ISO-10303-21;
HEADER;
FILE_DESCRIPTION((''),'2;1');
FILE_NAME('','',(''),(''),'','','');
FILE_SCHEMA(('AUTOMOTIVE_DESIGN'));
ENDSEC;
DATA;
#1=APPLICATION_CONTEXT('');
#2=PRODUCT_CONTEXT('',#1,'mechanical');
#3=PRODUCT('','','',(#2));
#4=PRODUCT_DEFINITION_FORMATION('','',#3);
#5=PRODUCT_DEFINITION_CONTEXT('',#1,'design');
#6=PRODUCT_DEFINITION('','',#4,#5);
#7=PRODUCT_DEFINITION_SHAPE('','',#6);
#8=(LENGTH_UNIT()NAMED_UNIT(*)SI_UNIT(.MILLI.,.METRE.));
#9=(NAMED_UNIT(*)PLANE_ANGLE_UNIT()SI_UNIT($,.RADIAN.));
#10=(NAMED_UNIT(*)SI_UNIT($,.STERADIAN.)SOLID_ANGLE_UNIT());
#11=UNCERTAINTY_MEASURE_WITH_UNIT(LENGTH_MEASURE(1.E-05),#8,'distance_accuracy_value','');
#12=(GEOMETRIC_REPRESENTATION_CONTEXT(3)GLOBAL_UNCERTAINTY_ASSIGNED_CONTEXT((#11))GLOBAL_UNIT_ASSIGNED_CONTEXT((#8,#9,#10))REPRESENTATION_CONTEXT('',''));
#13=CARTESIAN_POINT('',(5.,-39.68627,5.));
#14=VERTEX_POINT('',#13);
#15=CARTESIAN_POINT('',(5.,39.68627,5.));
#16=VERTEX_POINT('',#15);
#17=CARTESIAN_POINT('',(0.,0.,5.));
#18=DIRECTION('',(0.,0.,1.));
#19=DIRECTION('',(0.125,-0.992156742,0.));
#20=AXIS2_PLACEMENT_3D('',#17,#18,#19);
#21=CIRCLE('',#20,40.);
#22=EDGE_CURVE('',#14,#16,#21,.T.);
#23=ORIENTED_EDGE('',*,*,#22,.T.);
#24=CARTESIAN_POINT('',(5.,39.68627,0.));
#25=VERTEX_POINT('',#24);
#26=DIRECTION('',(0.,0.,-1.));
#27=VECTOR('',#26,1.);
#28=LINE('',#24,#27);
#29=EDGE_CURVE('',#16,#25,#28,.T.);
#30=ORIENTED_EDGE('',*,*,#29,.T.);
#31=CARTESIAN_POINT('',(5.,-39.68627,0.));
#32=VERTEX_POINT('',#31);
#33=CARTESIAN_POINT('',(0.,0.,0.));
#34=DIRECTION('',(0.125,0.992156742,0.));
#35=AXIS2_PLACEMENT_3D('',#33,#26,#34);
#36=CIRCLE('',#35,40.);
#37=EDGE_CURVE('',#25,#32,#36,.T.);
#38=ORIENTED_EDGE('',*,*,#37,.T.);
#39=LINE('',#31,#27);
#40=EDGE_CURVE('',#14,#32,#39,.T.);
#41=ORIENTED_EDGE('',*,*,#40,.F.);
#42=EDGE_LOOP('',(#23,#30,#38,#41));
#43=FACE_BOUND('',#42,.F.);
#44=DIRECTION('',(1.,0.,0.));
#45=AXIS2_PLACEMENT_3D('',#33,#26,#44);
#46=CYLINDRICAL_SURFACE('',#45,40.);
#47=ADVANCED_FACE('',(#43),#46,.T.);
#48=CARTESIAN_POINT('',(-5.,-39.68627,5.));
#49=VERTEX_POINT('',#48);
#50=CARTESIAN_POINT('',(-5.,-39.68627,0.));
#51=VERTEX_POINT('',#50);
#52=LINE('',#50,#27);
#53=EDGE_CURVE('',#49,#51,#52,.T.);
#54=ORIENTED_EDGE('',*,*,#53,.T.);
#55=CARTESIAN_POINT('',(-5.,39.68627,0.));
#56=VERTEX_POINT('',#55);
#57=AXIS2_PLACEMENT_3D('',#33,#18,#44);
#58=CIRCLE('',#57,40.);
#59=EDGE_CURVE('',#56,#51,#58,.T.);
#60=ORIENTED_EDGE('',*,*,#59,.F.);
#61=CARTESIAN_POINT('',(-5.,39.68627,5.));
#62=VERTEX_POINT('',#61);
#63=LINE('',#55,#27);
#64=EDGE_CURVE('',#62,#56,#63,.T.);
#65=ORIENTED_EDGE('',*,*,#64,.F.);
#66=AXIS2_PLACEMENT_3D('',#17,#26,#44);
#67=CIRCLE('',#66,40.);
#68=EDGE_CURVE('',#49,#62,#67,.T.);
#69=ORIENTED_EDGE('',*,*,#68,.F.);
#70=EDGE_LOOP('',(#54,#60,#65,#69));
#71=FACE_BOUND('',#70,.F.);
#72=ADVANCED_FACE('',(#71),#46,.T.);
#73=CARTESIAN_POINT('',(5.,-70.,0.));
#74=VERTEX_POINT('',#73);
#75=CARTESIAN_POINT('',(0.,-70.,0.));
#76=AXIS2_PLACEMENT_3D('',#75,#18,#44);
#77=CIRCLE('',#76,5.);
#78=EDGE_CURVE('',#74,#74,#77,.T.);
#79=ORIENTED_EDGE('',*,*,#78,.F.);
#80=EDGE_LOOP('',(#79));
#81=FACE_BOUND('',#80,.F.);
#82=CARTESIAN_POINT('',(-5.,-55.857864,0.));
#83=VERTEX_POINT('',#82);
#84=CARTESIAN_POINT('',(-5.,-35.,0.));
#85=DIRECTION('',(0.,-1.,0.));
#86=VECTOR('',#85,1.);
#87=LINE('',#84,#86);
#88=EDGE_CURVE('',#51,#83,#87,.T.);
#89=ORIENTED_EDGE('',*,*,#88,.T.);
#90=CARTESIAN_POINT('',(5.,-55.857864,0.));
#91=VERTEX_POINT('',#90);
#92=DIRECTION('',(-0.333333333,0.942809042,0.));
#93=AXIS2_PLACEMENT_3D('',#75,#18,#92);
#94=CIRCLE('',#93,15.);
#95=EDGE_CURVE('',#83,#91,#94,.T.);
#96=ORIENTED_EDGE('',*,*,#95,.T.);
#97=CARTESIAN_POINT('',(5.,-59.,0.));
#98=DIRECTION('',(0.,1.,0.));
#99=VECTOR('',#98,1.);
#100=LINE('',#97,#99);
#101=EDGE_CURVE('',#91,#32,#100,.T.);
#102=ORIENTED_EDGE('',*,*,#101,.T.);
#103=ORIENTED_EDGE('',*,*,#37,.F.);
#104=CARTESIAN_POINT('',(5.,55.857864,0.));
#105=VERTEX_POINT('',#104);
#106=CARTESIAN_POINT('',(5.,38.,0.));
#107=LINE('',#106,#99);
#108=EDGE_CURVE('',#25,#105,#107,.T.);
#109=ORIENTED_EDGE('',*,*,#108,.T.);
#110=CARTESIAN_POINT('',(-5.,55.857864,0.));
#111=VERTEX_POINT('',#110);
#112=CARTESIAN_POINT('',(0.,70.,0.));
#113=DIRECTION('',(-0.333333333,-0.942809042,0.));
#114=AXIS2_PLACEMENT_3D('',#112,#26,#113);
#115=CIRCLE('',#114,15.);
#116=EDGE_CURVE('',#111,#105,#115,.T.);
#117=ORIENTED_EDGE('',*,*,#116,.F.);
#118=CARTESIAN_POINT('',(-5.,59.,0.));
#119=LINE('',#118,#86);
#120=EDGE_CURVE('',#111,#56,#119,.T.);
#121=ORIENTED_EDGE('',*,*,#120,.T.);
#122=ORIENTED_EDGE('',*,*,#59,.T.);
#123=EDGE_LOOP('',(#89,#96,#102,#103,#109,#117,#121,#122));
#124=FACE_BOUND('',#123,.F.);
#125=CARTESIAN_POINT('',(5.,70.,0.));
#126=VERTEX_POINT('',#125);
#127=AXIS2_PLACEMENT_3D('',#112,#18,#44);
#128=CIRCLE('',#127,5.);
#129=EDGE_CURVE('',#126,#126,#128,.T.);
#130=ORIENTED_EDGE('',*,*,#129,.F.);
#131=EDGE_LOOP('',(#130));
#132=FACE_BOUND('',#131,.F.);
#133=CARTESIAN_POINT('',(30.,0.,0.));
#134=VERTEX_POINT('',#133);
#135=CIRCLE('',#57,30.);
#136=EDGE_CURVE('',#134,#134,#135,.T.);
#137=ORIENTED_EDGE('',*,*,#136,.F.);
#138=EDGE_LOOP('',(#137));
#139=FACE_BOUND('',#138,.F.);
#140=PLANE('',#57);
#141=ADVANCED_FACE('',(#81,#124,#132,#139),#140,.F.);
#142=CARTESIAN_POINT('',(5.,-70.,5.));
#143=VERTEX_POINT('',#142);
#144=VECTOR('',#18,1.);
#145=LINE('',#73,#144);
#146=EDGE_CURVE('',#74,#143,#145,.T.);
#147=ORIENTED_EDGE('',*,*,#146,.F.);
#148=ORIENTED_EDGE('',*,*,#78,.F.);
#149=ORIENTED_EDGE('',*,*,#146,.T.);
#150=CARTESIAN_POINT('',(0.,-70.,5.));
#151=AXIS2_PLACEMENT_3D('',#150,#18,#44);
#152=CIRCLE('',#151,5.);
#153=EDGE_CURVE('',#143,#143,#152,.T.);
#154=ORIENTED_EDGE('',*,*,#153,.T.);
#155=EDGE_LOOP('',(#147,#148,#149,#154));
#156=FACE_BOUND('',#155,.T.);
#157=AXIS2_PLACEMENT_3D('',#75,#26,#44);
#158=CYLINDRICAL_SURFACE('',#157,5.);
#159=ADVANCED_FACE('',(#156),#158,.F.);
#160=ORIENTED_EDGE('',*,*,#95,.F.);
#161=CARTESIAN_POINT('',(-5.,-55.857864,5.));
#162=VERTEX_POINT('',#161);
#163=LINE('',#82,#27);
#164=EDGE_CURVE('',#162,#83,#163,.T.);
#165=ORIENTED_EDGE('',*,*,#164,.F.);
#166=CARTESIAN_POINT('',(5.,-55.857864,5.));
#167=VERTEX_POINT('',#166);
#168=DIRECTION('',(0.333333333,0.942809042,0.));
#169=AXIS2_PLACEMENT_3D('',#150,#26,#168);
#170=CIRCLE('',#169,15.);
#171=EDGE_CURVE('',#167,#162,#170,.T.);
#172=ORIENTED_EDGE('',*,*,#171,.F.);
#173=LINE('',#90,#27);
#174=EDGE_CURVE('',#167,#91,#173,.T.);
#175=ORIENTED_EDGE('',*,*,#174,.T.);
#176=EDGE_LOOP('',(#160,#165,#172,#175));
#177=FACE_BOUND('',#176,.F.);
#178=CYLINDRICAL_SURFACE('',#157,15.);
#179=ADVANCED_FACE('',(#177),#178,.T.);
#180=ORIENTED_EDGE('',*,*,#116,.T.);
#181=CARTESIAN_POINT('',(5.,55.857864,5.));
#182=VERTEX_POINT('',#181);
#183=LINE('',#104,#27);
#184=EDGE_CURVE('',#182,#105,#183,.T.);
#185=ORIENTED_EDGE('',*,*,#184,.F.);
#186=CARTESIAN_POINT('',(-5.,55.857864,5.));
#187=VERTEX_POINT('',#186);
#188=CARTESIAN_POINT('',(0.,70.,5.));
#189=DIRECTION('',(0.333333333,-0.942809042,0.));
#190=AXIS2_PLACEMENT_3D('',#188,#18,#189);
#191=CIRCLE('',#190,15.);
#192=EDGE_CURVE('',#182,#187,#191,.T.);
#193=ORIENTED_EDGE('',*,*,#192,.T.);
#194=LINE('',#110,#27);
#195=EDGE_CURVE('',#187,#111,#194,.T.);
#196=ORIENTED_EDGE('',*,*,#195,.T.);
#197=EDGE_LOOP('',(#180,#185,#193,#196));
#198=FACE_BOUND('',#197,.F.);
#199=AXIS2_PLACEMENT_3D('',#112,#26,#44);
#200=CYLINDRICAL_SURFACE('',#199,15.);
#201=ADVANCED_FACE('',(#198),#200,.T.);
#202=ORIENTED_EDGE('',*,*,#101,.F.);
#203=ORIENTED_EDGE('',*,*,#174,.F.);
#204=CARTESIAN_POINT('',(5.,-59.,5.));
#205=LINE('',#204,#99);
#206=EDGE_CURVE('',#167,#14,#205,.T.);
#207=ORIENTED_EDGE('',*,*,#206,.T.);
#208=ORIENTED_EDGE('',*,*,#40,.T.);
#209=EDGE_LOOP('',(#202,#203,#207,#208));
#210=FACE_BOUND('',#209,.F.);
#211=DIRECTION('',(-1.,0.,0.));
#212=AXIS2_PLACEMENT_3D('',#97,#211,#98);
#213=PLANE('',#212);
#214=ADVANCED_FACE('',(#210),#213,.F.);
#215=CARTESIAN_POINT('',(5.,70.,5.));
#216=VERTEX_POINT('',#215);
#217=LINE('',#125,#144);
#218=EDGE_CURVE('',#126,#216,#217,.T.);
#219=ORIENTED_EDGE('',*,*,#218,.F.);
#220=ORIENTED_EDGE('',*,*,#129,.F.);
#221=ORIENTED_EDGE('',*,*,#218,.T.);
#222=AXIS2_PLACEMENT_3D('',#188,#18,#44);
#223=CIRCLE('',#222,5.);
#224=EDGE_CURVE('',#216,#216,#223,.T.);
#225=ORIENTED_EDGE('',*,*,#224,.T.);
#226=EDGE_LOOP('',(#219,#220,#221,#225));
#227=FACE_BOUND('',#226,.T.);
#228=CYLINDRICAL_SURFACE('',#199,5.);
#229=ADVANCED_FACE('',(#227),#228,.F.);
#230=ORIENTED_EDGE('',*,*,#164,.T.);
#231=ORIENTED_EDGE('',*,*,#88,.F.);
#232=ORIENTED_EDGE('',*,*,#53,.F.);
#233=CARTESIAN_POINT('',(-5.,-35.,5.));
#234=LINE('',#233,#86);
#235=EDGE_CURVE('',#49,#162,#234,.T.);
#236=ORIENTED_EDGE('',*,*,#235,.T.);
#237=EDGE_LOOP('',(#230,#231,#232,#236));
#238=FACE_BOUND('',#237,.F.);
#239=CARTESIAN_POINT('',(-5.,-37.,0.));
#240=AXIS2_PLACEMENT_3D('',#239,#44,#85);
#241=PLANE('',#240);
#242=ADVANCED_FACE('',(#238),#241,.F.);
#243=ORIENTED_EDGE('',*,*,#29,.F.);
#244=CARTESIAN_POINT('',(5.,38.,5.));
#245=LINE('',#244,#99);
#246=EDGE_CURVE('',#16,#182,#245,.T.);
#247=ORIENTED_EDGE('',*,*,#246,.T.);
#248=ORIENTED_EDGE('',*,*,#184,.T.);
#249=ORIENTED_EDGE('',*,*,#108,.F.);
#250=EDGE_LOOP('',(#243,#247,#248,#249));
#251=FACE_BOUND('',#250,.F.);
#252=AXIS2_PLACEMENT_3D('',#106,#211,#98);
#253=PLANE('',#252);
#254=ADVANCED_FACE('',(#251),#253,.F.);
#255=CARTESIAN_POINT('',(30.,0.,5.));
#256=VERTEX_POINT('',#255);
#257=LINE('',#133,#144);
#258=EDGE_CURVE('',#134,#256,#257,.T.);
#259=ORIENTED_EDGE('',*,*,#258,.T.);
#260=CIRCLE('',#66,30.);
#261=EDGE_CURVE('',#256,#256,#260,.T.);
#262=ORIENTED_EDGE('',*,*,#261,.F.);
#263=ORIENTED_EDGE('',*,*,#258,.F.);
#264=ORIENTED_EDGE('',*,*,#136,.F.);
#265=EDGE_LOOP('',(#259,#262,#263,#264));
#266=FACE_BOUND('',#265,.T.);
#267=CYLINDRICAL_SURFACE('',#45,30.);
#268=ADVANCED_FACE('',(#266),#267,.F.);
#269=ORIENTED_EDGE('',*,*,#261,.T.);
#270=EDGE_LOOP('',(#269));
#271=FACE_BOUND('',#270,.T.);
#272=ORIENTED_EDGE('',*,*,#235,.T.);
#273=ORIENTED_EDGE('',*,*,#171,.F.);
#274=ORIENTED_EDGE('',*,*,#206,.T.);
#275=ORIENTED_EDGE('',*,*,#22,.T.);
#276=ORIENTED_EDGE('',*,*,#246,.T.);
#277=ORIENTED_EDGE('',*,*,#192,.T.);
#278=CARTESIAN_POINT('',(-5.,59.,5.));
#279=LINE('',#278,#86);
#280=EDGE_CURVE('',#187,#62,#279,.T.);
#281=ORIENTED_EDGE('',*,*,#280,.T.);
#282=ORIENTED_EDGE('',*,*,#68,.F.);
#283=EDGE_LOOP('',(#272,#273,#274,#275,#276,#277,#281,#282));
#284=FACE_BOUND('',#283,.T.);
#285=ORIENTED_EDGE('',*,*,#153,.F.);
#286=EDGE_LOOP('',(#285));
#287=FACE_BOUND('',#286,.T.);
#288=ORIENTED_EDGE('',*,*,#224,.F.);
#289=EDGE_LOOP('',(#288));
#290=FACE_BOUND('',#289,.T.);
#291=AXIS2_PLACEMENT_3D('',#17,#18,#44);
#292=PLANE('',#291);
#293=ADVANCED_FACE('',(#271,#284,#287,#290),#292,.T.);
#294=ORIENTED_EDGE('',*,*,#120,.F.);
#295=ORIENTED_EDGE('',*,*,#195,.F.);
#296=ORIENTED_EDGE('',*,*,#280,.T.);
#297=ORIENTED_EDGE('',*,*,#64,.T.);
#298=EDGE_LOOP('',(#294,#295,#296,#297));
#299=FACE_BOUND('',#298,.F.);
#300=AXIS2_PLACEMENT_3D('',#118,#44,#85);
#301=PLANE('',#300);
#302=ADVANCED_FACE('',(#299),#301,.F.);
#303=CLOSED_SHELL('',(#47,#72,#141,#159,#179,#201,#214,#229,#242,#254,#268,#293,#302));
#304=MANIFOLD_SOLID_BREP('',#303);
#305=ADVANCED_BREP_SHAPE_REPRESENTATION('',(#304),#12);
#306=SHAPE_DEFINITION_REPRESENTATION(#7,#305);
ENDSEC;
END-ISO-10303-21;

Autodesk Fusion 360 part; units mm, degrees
sketch "Sketch1" plane through (0, 0, 0) normal (0, 0, 1) x (1, 0, 0)
  circle A0 centre (0, 0) radius 90
  circle A1 centre (0, 65) radius 10
  circle A2 centre (0, -65) radius 10
  circle A3 centre (0, 0) radius 25
  circle A4 centre (0, 0) radius 35
  circle A5 centre (0, 65) radius 20
  circle A6 centre (0, -65) radius 20
  line L0 (-10, 30) -> (10, 30)
  line L1 (10, 30) -> (10, 50)
  line L2 (10, 50) -> (-10, 50)
  line L3 (-10, 50) -> (-10, 30)
  line L4 (-10, -30) -> (10, -30)
  line L5 (10, -30) -> (10, -50)
  line L6 (10, -50) -> (-10, -50)
  line L7 (-10, -50) -> (-10, -30)
  dimension "d1" = 50
sketch "Sketch2" plane through (0, 0, 0) normal (0, 0, 1) x (1, 0, 0)
sketch "Sketch3" plane through (0, 0, 0) normal (0, 0, 1) x (1, 0, 0)
  circle A0 centre (0, 0) radius 30
sketch "Sketch4" plane through (0, 0, 0) normal (0, 0, 1) x (1, 0, 0)
sketch "Sketch5" plane through (0, 0, 0) normal (0, 1, 0) x (1, 0, 0)
sketch "Sketch6" plane through (0, 0, 0) normal (0, 0, 1) x (1, 0, 0)
  circle A0 centre (0, 65) radius 5.25
  circle A1 centre (0, 65) radius 10
  dimension "d6" = 10.5
sketch "Sketch7" plane through (0, 0, 0) normal (0, 0, 1) x (1, 0, 0)
  circle A0 centre (0, -65) radius 5.25
  circle A1 centre (0, -65) radius 10
  dimension "d9" = 10.5
sketch "Sketch8" plane through (0, 0, 0) normal (0, 0, 1) x (1, 0, 0)
  circle A0 centre (0, 0) radius 40
  circle A1 centre (0, 0) radius 30
  circle A2 centre (0, 0) radius 30
sketch "Sketch9" plane through (0, 0, 0) normal (0, 0, 1) x (1, 0, 0)
sketch "Sketch10" plane through (0, 0, 0) normal (0, 0, 1) x (1, 0, 0)
sketch "Sketch11" plane through (0, 0, 0) normal (0, 0, 1) x (1, 0, 0)
sketch "Sketch12" plane through (0, 0, 0) normal (0, 0, 1) x (1, 0, 0)
  circle A0 centre (0, 65) radius 15
  circle A1 centre (0, 65) radius 20
sketch "Sketch13" plane through (0, 0, 0) normal (0, 0, 1) x (1, 0, 0)
  circle A0 centre (0, -65) radius 15
  circle A1 centre (0, -65) radius 20
extrude "Extrude7" cut sketch "Sketch13" along normal blind 22
sketch "Sketch14" plane through (0, 0, 0) normal (0, 0, 1) x (1, 0, 0)
  line L0 (-10, -35) -> (10, -35)
  line L1 (10, -35) -> (10, -59)
  line L2 (10, -59) -> (-10, -59)
  line L3 (-10, -59) -> (-10, -35)
  line L4 (-10, 35) -> (10, 35)
  line L5 (10, 35) -> (10, 58)
  line L6 (10, 58) -> (-10, 58)
  line L7 (-10, 58) -> (-10, 35)
sketch "Sketch15" plane through (0, 0, 0) normal (0, 0, 1) x (1, 0, 0)
sketch "Sketch16" plane through (0, 0, 0) normal (0, 0, 1) x (1, 0, 0)
sketch "Sketch17" plane through (0, 0, 0) normal (0, 0, 1) x (1, 0, 0)
sketch "Sketch18" plane through (0, 0, 0) normal (0, 0, 1) x (1, 0, 0)
  line L0 (0, -60) -> (0, 60)
  circle A0 centre (0, 0) radius 40
  circle A1 centre (0, 0) radius 30
  circle A2 centre (0, 70) radius 5
  circle A3 centre (0, -70) radius 5
  circle A4 centre (0, 70) radius 15
  circle A5 centre (0, -70) radius 15
sketch "Sketch19" plane through (0, 0, 0) normal (0, 0, 1) x (1, 0, 0)
extrude "Extrude9" add sketch "Sketch18" along normal blind 5 separate body contours A4 | L0 A0 A1 | L0 A0 A1 | A5 makes body 1 at (11.5922, -69.0064, 5) makes body 2 at (36.4061, -3.4777, 5) makes body 3 at (11.6108, 69.2548, 0)
sketch "Sketch20" plane through (0, 0, 0) normal (0, 0, 1) x (1, 0, 0)
  line L0 (-7, -37) -> (8, -37)
  line L1 (8, -37) -> (8, -59)
  line L2 (8, -59) -> (-7, -59)
  line L3 (-7, -59) -> (-7, -37)
  line L4 (8, -37) -> (-8, -37)
  line L5 (-8, -37) -> (-8, -59)
  line L6 (-8, -59) -> (8, -59)
  line L7 (8, -59) -> (8, -37)
  line L8 (-8, 37) -> (7, 37)
  line L9 (7, 37) -> (7, 61)
  line L10 (7, 61) -> (-8, 61)
  line L11 (-8, 61) -> (-8, 37)
  line L12 (-5, 38) -> (5, 38)
  line L13 (5, 38) -> (5, 59)
  line L14 (5, 59) -> (-5, 59)
  line L15 (-5, 59) -> (-5, 38)
  line L16 (5, -35) -> (-5, -35)
  line L17 (-5, -35) -> (-5, -59)
  line L18 (-5, -59) -> (5, -59)
  line L19 (5, -59) -> (5, -35)
extrude "Extrude10" add sketch "Sketch20" along normal blind 5 contours L0 L2 L4 L6 L17 L18 L19 | L12 L13 L14 L15 bodies 1 2 3
